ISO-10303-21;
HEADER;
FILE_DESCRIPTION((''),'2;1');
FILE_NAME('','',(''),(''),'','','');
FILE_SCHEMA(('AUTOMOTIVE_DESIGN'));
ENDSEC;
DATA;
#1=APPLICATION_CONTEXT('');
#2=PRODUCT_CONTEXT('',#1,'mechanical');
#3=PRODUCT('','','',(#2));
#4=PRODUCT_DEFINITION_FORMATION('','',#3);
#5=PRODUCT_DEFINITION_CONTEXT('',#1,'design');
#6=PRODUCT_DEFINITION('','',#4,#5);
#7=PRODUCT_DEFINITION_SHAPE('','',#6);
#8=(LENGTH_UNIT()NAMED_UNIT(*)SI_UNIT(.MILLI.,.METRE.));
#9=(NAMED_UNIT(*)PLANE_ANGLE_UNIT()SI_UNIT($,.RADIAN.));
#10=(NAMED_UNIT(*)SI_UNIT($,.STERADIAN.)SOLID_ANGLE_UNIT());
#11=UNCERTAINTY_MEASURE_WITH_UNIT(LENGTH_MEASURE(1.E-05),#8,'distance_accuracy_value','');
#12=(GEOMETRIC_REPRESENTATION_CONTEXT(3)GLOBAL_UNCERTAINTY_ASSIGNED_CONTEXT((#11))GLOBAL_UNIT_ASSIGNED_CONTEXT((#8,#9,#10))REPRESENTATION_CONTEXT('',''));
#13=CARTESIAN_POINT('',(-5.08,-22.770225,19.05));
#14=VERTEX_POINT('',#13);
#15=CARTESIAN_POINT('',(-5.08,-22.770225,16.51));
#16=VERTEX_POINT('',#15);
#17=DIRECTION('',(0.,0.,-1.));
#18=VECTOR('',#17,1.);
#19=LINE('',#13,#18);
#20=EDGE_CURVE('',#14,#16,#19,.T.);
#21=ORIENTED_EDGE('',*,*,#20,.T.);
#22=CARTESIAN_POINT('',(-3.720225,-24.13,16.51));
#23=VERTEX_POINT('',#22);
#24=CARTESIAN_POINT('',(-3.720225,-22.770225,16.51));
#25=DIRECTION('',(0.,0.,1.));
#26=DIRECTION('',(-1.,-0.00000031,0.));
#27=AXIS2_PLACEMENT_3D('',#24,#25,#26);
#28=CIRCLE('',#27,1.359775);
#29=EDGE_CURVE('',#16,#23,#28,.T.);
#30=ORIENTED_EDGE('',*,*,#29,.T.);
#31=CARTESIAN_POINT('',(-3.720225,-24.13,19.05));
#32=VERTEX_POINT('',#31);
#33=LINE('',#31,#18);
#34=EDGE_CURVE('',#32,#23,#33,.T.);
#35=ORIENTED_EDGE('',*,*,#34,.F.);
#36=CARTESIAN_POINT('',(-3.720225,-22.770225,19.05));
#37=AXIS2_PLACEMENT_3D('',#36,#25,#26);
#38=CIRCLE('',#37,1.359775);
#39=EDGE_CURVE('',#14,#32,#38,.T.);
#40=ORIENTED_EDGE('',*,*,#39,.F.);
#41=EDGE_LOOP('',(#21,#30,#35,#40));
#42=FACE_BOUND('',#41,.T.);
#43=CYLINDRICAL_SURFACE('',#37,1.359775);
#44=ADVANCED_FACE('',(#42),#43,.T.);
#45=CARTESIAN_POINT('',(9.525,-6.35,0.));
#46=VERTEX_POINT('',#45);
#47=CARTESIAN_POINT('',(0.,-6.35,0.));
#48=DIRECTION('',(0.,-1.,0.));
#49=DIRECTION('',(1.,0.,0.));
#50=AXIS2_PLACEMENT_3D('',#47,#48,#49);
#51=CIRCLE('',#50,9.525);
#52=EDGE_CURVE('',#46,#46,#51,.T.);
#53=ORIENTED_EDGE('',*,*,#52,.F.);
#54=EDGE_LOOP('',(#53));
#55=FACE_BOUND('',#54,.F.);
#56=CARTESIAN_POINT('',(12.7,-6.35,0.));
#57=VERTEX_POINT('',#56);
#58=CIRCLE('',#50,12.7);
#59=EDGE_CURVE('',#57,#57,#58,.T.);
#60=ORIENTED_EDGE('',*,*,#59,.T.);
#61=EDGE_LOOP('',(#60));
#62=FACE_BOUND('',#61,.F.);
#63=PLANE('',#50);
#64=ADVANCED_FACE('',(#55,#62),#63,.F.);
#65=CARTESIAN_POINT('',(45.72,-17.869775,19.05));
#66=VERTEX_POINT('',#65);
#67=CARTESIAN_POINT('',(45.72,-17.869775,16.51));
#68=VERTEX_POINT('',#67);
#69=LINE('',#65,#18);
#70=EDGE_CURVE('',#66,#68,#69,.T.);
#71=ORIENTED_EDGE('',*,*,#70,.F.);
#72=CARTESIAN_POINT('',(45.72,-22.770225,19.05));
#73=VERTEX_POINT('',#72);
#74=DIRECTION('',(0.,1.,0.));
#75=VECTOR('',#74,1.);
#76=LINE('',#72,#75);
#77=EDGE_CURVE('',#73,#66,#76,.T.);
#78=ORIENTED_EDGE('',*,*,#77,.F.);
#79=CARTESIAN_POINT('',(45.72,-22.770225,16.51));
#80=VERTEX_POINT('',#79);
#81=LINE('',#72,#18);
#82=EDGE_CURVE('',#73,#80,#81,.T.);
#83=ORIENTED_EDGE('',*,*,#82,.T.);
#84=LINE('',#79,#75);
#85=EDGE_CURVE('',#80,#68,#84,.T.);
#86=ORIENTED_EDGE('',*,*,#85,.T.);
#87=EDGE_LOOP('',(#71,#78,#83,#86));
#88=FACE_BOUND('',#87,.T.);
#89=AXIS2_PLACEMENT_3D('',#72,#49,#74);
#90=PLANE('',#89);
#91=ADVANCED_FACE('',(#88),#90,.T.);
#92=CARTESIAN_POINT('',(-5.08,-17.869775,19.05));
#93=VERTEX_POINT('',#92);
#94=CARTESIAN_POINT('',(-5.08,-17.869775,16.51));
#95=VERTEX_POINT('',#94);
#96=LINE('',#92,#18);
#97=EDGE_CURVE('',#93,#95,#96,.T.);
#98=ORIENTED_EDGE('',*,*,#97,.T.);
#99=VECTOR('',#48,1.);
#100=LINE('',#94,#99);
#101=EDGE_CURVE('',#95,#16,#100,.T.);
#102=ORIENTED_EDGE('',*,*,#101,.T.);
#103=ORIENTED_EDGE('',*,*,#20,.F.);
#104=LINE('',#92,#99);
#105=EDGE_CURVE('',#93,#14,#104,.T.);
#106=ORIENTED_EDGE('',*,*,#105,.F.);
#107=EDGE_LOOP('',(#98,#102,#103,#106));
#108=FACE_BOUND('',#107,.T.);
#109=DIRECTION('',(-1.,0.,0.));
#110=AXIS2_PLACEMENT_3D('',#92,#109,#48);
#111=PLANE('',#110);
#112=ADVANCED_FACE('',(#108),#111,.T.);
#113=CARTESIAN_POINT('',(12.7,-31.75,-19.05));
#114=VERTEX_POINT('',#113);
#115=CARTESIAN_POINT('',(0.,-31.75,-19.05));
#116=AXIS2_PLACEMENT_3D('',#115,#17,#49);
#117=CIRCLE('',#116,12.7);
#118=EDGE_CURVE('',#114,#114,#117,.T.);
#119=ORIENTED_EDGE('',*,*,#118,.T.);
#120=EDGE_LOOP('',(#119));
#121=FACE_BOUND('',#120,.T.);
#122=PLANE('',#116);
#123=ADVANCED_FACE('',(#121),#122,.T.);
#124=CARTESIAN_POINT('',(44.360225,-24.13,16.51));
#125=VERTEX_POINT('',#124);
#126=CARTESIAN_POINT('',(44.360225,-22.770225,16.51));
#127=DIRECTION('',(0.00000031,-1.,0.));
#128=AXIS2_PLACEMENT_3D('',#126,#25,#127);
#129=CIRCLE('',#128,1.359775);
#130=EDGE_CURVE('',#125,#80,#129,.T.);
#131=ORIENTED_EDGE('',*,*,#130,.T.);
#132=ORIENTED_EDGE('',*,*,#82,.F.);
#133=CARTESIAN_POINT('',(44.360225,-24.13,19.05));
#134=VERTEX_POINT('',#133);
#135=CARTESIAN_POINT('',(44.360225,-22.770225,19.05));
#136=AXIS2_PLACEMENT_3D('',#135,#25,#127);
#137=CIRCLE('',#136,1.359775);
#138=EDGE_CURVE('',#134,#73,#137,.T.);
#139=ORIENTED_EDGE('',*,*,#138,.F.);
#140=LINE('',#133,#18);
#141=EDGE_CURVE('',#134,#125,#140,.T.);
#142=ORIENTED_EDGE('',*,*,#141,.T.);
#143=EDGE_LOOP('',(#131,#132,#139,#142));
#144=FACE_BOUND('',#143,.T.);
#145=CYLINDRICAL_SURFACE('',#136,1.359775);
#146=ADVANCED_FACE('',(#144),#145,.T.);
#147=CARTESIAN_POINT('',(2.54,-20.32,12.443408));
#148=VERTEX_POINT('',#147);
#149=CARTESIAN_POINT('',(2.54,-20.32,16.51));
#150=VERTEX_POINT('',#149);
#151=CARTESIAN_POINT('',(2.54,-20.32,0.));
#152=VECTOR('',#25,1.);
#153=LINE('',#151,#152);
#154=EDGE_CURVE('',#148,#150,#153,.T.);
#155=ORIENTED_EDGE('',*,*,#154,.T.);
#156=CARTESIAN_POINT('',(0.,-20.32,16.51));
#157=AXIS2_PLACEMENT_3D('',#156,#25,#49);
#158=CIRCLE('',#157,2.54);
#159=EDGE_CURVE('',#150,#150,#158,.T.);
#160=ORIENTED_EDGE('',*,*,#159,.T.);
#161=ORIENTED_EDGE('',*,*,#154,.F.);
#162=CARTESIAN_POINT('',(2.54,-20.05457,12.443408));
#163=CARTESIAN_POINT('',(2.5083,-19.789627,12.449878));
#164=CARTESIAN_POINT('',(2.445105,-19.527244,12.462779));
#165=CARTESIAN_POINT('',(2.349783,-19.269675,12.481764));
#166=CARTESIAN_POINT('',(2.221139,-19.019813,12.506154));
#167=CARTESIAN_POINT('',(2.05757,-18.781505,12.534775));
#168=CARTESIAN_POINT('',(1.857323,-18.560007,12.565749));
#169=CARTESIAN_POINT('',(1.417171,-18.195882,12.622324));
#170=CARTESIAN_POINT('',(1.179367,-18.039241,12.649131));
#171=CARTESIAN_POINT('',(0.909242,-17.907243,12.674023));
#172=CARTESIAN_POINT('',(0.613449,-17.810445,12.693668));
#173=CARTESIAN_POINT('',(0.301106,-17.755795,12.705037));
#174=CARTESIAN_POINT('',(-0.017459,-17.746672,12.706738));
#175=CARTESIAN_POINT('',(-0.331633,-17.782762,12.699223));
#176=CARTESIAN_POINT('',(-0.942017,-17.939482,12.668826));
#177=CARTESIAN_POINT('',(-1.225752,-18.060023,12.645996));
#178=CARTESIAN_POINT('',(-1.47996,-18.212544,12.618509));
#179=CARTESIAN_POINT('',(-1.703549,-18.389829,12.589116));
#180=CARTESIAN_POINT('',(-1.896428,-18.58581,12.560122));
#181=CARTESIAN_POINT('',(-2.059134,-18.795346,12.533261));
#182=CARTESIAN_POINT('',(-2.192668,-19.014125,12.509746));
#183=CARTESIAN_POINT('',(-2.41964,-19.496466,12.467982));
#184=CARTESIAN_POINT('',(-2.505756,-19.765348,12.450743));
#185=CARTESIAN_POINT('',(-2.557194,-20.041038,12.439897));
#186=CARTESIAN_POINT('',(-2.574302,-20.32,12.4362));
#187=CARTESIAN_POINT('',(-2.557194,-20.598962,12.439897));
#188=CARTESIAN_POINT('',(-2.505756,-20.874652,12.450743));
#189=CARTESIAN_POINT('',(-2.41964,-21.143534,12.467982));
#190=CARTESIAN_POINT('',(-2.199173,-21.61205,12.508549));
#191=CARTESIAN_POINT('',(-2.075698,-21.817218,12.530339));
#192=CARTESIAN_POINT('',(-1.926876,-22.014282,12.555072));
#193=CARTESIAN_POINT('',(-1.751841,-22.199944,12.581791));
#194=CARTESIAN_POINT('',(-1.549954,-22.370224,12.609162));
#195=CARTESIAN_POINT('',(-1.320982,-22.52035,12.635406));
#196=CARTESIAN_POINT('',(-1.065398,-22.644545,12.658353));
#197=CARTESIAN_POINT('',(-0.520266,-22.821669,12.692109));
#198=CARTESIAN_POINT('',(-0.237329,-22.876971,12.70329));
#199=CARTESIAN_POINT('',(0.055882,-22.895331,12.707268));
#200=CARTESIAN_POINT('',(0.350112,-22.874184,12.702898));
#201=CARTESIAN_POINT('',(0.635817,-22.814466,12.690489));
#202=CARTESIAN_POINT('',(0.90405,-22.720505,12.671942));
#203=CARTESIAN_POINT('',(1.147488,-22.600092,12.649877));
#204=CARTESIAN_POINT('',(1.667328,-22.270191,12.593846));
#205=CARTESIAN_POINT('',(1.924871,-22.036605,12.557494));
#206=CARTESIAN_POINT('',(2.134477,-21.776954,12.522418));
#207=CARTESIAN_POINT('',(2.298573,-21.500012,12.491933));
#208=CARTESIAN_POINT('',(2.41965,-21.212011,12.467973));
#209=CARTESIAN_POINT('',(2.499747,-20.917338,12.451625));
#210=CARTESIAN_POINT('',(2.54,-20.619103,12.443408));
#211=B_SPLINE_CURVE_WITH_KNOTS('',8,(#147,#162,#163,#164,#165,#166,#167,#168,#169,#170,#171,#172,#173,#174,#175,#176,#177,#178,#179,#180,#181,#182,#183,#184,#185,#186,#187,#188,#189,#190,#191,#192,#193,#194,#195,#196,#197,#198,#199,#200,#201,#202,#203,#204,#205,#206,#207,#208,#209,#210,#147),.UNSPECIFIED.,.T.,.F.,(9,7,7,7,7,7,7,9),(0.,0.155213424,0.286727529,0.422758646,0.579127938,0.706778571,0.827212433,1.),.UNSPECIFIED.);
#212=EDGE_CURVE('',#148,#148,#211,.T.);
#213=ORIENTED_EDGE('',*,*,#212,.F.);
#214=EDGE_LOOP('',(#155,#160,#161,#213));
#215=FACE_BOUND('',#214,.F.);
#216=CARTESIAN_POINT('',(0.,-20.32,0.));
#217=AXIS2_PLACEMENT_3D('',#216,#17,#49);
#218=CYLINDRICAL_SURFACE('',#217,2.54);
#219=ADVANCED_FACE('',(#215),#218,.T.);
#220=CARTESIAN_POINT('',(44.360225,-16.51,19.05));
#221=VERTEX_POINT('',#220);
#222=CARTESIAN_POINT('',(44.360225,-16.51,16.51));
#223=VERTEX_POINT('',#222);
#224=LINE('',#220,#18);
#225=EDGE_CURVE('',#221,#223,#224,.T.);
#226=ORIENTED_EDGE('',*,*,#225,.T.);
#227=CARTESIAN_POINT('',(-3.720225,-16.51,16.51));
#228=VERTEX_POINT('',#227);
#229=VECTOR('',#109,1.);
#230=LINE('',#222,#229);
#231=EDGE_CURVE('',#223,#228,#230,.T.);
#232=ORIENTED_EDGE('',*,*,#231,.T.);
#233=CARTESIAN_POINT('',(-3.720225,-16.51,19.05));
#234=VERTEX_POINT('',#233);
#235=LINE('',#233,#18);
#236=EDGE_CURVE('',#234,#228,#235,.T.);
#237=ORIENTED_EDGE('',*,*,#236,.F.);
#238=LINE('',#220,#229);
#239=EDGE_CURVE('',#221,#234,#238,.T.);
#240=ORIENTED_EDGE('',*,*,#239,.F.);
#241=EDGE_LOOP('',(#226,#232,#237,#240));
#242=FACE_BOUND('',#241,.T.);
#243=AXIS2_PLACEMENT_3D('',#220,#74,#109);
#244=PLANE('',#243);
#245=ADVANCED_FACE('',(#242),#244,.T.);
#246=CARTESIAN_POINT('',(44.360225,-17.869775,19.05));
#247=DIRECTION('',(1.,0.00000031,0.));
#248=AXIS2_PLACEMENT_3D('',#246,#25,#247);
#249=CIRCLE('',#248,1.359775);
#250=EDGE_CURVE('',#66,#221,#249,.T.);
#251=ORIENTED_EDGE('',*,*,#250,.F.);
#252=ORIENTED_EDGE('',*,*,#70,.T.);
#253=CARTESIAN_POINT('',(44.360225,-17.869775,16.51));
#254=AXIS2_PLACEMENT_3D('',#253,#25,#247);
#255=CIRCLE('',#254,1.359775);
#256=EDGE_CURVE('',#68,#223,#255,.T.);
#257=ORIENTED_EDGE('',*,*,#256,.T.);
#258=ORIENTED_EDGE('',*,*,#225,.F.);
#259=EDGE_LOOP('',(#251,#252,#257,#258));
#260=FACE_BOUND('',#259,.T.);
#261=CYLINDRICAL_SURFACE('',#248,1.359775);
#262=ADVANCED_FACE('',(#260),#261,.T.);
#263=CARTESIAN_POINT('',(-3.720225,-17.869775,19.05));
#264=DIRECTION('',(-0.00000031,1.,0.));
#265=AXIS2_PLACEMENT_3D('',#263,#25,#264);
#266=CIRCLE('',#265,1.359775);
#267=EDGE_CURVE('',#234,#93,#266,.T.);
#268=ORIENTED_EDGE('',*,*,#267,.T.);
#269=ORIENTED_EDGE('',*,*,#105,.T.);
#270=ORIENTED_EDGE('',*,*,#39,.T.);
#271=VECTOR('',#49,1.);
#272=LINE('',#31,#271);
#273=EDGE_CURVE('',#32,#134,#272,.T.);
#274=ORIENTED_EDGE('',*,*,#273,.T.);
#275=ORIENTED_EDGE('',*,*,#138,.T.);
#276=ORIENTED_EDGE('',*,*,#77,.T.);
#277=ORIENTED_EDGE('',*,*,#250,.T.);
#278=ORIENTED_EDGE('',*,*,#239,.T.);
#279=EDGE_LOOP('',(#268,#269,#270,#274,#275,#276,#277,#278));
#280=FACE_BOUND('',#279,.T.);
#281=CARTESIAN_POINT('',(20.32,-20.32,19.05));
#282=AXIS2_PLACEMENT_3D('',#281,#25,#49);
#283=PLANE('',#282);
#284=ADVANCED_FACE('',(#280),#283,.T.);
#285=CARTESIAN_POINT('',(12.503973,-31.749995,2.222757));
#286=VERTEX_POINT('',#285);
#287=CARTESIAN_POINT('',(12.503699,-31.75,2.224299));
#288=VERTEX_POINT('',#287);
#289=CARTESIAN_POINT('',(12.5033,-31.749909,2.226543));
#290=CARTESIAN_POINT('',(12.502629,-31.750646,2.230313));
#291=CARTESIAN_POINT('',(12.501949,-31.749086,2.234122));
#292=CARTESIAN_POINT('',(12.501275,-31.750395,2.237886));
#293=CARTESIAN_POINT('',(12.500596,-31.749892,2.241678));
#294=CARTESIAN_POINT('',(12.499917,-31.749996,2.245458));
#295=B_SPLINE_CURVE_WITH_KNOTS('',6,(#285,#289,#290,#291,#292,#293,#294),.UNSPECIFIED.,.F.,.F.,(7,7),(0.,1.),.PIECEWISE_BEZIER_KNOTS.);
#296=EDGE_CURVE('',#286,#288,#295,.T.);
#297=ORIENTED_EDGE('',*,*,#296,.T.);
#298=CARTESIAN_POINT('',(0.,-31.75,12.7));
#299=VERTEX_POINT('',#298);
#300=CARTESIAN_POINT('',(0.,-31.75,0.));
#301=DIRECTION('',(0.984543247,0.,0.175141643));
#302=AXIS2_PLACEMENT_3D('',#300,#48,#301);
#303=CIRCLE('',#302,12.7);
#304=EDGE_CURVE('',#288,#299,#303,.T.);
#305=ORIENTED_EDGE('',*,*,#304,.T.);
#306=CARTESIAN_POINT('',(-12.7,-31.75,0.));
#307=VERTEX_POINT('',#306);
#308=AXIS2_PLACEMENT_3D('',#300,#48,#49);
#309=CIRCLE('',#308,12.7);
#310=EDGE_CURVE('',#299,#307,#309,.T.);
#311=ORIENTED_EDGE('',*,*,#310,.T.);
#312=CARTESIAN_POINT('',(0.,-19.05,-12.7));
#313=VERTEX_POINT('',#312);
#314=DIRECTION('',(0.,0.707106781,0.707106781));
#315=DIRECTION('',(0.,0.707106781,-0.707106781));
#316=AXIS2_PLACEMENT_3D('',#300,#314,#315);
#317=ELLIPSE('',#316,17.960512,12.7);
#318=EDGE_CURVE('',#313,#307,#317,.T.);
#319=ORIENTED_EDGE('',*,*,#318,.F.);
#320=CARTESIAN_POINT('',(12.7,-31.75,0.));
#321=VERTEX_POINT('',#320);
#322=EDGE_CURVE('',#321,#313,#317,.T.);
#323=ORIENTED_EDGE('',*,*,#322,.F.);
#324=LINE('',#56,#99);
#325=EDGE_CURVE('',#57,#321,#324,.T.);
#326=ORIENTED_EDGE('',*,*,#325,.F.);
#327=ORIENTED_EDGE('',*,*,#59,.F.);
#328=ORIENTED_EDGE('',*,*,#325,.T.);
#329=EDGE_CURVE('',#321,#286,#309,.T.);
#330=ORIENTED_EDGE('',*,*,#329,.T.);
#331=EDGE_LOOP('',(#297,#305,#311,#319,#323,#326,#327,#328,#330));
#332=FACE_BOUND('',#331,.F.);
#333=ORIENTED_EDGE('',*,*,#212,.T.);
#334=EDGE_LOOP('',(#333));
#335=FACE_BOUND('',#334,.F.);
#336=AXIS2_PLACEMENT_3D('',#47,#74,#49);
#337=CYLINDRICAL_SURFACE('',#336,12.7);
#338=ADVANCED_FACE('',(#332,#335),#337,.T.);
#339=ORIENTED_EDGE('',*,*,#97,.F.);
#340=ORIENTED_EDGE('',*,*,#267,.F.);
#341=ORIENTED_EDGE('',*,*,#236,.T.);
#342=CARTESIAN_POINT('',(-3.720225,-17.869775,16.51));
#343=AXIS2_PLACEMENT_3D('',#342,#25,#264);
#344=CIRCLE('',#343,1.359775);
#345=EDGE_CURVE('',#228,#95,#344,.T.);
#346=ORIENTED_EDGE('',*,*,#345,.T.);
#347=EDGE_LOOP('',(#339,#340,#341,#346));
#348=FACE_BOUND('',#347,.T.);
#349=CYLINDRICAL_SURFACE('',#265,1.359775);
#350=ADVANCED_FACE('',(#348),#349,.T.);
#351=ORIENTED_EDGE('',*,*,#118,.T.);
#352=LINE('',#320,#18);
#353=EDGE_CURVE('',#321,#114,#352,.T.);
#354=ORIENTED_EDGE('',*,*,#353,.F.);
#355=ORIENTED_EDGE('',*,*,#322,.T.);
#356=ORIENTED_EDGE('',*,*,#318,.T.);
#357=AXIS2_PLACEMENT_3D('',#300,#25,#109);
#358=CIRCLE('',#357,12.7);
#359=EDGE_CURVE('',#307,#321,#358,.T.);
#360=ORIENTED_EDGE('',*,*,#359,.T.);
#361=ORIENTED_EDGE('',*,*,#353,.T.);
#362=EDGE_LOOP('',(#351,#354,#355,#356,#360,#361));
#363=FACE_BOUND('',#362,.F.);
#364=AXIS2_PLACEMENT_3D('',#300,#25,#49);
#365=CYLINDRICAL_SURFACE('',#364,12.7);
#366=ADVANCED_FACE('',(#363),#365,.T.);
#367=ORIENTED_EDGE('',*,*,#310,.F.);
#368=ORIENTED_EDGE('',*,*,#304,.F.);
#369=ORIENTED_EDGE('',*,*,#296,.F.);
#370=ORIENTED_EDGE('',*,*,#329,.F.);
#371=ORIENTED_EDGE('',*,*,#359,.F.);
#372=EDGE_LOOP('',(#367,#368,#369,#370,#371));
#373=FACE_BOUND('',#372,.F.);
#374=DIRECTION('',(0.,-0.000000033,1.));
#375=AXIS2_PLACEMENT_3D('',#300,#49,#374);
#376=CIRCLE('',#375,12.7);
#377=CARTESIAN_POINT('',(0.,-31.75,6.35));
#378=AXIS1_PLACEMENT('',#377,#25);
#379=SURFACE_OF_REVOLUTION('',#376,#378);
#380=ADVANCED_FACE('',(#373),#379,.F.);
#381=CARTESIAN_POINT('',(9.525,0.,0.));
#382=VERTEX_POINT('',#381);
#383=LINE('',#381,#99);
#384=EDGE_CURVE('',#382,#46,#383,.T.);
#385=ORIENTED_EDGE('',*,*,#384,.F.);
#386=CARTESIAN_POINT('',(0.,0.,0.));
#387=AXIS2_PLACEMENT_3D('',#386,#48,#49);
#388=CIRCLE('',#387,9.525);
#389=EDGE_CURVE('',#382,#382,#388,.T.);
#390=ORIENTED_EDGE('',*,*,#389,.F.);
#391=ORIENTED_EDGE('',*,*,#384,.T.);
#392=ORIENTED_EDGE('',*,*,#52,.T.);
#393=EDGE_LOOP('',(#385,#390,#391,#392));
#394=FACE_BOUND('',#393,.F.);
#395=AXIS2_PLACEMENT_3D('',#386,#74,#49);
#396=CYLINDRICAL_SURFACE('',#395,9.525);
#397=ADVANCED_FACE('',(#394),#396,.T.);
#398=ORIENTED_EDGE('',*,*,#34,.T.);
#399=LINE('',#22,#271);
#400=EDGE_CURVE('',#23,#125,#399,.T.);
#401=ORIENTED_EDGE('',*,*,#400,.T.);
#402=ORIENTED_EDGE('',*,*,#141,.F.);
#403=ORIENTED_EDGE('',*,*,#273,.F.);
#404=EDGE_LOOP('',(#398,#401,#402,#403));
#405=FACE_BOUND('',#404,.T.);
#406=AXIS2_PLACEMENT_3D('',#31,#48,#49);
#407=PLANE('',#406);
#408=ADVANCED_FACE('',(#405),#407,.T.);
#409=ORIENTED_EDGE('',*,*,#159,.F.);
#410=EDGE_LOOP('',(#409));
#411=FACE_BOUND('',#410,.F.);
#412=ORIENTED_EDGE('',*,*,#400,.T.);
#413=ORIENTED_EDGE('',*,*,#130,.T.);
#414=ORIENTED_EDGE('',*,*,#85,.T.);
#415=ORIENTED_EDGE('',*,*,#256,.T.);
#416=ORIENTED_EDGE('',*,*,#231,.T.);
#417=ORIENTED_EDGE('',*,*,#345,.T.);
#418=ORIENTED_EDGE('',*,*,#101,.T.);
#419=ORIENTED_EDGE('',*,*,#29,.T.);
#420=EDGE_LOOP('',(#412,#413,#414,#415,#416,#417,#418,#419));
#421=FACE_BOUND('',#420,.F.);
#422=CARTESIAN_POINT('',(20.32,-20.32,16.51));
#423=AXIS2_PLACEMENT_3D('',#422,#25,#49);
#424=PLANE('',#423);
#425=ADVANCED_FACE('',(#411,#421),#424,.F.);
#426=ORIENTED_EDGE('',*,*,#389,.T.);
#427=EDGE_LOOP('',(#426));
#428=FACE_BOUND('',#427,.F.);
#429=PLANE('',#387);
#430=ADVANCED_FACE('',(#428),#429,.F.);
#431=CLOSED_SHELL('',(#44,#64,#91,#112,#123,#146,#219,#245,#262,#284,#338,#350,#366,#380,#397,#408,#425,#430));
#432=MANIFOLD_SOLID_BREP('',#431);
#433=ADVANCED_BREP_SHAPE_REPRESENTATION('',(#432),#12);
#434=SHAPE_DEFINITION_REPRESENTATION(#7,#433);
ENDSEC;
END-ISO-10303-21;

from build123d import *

# Parameters (mm, degrees)
F0_R      = 9.525
F1_DEPTH  = 6.35
F2_R      = 12.7
F3_DEPTH  = 25.4
F6_R      = 12.7
F7_DEPTH  = 19.05
F8_R      = 2.54
F9_DEPTH  = 19.05
F10_R     = 2.54
F11_DEPTH = 2.54


with BuildPart() as f1:
    # F0 (on Front) → F1 (new body)
    with BuildSketch(Plane.XZ):
        Circle(F0_R)
    extrude(amount=F1_DEPTH)

    # F2 (on face) → F3 (join)
    with BuildSketch(Plane.XZ.offset(6.35)):
        Circle(F2_R)
    extrude(amount=F3_DEPTH)

    # F4 (on Right) → F5 (revolve)
    with BuildSketch(Plane.YZ):
        with BuildLine():
            Line((-31.75, 0), (-31.75, 12.7))
            ThreePointArc((-31.75, 12.7), (-40.730256, 8.980256), (-44.45, 0))
            Line((-44.45, 0), (-31.75, 0))
        make_face()
    revolve(axis=Axis((0, -31.75, 6.35), (0, 0, 1)))

    # F6 (on face) → F7 (join)
    with BuildSketch(Plane(origin=(0, 0, 0), x_dir=(1, 0, 0), z_dir=(0, 0, -1))):
        with Locations((0, 31.75)):
            Circle(F6_R)
    extrude(amount=F7_DEPTH)

    # F8 (on Top) → F9 (join)
    with BuildSketch(Plane.XY):
        with Locations((0, -20.32)):
            Circle(F8_R)
    extrude(amount=F9_DEPTH)

    # F10 (on face) → F11 (join)
    with BuildSketch(Plane.XY.offset(19.05)):
        with BuildLine():
            ThreePointArc((45.72, -17.869775), (45.321731, -16.908269), (44.360225, -16.51))
            Line((44.360225, -16.51), (-3.720225, -16.51))
            ThreePointArc((-3.720225, -16.51), (-4.681731, -16.908269), (-5.08, -17.869775))
            Line((-5.08, -17.869775), (-5.08, -22.770225))
            ThreePointArc((-5.08, -22.770225), (-4.681731, -23.731731), (-3.720225, -24.13))
            Line((-3.720225, -24.13), (44.360225, -24.13))
            ThreePointArc((44.360225, -24.13), (45.321731, -23.731731), (45.72, -22.770225))
            Line((45.72, -22.770225), (45.72, -17.869775))
        make_face()
        with Locations((0, -20.32)):
            Circle(F10_R, mode=Mode.SUBTRACT)
    extrude(amount=-F11_DEPTH)


solid = f1.part
